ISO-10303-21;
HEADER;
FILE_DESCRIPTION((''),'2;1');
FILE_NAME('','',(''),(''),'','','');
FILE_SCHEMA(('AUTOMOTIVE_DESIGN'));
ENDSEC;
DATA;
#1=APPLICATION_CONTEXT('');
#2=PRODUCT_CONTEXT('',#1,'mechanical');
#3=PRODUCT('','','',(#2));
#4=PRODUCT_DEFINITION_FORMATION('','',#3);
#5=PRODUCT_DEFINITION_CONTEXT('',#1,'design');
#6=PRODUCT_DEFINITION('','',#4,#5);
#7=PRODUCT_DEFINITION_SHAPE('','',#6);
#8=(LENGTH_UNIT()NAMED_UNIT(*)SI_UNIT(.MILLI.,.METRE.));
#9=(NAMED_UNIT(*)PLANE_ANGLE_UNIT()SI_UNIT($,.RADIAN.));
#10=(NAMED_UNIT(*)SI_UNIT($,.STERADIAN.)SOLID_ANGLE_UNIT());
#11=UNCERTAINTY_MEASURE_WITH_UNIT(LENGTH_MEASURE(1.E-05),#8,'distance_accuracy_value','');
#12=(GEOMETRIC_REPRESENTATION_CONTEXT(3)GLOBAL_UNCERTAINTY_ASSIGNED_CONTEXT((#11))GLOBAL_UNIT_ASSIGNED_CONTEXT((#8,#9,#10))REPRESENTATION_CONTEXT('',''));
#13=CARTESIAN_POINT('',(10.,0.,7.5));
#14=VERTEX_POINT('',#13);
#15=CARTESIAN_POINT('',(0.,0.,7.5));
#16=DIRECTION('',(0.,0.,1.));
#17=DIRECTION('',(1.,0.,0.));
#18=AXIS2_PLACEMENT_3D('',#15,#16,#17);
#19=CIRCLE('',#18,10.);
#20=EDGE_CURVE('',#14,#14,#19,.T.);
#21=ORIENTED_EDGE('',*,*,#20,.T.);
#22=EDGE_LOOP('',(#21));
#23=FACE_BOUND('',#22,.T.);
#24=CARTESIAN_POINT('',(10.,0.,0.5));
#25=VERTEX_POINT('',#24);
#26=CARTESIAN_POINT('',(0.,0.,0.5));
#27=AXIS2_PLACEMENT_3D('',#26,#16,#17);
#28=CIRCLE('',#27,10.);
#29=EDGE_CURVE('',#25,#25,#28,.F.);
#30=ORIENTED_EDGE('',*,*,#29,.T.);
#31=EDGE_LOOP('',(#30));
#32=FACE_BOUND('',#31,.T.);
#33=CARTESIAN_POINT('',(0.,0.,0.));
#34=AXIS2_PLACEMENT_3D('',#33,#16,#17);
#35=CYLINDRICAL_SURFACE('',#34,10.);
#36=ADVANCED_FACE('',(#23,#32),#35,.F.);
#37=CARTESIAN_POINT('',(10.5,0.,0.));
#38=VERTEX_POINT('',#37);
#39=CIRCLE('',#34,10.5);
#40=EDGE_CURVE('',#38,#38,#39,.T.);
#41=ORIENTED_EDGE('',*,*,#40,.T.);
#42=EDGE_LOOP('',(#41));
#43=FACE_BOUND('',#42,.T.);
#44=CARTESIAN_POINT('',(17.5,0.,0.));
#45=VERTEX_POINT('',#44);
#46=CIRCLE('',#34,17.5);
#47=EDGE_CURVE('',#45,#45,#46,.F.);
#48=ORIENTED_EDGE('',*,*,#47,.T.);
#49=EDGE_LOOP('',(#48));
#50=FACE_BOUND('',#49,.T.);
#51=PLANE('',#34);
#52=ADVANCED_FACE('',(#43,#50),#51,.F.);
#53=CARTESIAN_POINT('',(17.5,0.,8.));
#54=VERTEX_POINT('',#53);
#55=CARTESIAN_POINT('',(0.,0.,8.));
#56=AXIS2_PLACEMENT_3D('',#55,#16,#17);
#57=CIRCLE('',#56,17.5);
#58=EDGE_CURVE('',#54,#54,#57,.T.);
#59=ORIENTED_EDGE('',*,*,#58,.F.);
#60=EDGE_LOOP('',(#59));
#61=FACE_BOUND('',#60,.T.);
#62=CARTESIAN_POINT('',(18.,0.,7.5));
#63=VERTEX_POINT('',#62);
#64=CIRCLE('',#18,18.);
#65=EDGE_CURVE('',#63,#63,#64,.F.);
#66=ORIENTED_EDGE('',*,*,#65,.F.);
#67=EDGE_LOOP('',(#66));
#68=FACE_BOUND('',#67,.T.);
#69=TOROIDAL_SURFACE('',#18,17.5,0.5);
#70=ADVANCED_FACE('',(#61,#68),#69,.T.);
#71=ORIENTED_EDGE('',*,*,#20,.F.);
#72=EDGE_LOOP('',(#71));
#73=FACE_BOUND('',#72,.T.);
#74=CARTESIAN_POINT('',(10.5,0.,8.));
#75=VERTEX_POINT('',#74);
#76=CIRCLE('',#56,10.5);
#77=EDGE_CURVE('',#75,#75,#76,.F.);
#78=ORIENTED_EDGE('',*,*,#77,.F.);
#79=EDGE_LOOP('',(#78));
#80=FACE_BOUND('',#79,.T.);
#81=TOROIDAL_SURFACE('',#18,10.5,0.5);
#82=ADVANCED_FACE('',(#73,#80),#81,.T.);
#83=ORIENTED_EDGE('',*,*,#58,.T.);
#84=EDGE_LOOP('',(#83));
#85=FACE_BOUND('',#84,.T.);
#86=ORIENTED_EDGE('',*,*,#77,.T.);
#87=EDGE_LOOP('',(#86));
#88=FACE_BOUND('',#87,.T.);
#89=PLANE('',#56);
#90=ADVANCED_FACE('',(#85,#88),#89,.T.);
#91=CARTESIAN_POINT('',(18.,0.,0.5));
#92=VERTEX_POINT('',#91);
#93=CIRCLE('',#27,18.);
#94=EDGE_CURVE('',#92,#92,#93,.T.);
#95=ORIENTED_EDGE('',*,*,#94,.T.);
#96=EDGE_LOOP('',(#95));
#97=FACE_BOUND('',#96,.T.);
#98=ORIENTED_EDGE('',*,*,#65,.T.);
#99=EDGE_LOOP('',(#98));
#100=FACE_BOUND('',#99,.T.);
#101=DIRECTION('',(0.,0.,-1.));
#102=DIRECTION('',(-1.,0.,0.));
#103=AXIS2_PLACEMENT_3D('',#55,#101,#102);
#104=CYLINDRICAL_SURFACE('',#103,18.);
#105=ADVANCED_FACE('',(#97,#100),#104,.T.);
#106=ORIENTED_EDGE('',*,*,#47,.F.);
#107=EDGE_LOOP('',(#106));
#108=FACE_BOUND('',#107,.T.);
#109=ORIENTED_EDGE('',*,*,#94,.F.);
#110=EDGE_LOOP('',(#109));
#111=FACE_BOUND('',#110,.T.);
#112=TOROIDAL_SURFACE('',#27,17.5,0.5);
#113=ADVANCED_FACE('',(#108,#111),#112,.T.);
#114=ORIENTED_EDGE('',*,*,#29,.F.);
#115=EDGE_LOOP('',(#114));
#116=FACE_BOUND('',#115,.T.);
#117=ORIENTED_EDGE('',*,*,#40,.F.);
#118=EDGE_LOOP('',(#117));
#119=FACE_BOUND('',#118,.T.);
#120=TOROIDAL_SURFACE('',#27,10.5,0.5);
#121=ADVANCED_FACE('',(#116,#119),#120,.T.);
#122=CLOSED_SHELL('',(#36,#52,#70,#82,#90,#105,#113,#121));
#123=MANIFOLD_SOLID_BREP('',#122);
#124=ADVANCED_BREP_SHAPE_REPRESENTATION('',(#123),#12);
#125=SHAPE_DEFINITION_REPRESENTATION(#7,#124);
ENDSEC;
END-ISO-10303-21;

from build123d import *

# Parameters (mm, degrees)
SKETCH_1_R          = 18
EXTRUDE_1_DEPTH     = 8
SKETCH_2_R          = 10
CUT_EXTRUDE_1_DEPTH = 27.683328128
FILLET_1_R          = 0.5


with BuildPart() as part:
    # 草图1 → 凸台-拉伸1 (new body)
    with BuildSketch(Plane.XY):
        Circle(SKETCH_1_R)
    extrude(amount=EXTRUDE_1_DEPTH)

    # 草图2 → 切除-拉伸1 (cut, through all)
    with BuildSketch(Plane.XY.offset(8)):
        Circle(SKETCH_2_R)
    extrude(amount=-CUT_EXTRUDE_1_DEPTH, mode=Mode.SUBTRACT)

    # 圆角1
    fillet_1_edges = [part.edges().sort_by_distance(p)[0] for p in [
        (-18, 0, 0),
        (-18, 0, 8),
        (-10, 0, 0),
        (-10, 0, 8),
    ]]
    fillet(fillet_1_edges, radius=FILLET_1_R)


solid = part.part
